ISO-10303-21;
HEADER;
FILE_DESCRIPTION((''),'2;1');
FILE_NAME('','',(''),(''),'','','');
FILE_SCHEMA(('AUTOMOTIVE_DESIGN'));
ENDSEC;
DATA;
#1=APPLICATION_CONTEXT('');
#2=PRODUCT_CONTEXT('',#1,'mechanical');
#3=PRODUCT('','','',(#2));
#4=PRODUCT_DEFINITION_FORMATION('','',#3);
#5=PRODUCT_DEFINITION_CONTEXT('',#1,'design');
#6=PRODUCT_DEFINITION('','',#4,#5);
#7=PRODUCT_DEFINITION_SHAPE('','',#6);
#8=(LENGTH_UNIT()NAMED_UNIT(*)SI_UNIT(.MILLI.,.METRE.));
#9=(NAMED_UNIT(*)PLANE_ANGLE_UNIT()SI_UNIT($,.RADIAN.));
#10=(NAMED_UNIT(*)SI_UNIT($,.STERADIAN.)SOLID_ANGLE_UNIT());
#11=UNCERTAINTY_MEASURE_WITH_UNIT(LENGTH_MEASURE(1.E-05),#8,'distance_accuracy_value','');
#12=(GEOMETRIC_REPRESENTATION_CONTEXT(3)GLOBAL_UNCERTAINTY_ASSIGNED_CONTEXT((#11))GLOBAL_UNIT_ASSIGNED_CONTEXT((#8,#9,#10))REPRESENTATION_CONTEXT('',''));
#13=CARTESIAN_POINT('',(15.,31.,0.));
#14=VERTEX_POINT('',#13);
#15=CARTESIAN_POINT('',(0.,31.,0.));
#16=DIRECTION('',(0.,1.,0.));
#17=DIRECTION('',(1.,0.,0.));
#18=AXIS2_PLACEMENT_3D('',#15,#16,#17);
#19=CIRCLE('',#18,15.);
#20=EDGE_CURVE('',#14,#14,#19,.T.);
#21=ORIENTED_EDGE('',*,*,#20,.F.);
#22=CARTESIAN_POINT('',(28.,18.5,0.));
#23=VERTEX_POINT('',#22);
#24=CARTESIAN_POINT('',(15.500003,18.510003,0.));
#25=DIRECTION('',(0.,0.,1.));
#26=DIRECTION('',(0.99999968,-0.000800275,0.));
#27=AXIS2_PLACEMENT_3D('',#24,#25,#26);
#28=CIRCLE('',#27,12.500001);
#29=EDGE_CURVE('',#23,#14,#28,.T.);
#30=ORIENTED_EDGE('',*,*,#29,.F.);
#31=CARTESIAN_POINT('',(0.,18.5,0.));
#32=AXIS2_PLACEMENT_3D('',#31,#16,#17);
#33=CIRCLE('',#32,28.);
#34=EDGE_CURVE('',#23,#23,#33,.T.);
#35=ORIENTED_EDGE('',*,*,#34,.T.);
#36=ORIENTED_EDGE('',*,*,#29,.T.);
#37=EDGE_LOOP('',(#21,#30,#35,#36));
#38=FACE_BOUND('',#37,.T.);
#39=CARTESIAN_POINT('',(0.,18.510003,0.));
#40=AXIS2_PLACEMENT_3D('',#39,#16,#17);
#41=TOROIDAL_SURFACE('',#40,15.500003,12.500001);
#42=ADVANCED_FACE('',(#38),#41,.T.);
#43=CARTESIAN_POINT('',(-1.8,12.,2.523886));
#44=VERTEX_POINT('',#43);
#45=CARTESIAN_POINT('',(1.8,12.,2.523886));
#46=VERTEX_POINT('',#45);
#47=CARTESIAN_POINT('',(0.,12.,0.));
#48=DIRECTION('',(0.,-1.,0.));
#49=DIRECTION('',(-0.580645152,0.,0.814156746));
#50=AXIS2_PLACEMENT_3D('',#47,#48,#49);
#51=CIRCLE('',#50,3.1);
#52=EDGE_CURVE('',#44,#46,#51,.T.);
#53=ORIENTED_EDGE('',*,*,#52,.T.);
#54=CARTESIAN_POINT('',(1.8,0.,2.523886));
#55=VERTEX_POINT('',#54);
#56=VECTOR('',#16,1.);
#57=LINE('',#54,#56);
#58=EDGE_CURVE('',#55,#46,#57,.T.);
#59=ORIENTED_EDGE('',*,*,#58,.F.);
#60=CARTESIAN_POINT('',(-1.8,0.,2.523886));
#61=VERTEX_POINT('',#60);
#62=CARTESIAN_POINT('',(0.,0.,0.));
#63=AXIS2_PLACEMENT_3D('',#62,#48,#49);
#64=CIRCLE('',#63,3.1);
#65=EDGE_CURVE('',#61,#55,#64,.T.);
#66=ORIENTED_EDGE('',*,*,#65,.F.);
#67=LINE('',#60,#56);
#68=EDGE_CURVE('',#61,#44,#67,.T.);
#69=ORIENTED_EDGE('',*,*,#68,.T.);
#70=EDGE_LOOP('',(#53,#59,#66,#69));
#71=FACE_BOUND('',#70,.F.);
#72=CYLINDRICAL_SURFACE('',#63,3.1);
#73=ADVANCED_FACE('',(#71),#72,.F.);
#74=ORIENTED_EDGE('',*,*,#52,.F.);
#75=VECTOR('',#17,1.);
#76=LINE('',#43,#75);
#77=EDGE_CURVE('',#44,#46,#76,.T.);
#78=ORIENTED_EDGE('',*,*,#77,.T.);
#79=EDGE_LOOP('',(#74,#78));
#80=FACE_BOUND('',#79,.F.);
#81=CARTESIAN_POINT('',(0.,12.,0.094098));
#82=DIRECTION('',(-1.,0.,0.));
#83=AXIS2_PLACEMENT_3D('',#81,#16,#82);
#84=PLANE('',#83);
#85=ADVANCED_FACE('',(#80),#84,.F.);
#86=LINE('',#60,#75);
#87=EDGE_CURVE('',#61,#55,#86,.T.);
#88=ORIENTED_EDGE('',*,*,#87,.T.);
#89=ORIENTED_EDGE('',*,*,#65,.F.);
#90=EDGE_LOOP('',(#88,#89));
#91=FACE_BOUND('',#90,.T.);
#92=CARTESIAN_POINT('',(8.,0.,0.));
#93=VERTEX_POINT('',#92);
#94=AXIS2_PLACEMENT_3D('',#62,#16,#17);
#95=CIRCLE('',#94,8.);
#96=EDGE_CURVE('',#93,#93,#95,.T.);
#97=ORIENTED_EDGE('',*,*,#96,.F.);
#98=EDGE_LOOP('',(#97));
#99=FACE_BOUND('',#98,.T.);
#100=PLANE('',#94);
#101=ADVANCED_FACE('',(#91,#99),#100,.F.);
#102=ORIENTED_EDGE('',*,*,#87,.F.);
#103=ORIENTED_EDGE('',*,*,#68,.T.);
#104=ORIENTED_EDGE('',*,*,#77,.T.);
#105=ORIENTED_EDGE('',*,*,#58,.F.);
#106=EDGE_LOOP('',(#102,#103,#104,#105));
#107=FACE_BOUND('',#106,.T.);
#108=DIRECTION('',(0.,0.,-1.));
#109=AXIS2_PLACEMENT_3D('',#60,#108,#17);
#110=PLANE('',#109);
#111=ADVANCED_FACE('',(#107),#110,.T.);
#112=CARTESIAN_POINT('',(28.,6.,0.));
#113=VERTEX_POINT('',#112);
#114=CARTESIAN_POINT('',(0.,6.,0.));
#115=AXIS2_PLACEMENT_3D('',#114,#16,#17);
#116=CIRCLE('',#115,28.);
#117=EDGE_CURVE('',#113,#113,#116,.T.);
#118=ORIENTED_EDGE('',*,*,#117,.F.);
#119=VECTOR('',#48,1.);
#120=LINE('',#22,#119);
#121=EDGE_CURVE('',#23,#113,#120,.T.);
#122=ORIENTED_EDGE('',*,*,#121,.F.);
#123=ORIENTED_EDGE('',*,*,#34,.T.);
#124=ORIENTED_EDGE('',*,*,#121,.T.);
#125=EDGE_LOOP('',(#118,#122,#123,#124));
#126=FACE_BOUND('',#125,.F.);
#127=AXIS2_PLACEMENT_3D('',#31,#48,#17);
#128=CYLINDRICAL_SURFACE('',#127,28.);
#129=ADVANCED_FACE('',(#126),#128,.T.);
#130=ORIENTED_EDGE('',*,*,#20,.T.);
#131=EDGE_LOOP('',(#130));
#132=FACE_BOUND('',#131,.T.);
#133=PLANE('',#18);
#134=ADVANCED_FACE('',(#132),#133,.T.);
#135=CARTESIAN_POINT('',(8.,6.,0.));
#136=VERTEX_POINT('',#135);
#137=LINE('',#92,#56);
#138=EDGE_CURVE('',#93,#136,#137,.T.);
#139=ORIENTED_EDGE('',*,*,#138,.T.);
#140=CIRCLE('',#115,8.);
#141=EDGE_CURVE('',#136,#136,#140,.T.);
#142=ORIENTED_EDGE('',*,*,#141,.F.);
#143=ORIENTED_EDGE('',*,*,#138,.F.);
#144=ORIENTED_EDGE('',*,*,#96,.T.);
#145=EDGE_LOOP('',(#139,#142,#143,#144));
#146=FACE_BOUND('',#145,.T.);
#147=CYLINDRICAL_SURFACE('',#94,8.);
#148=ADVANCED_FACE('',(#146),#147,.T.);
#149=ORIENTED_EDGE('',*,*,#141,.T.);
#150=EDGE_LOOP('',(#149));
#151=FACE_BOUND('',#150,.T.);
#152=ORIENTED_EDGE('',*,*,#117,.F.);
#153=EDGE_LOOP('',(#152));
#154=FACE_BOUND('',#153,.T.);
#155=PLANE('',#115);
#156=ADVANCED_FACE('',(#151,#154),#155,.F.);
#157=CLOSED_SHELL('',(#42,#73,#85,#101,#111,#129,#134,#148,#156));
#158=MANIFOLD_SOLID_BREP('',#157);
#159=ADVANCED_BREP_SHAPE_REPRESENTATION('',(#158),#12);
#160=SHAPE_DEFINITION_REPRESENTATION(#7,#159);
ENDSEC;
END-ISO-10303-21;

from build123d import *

# Parameters (mm, degrees)
POCKET_DEPTH = 12


with BuildPart() as part:
    # Sketch → Revolution (revolve)
    with BuildSketch(Plane.XY):
        with BuildLine():
            Line((15, 31), (0, 31))
            Line((0, 31), (0, 0))
            Line((0, 0), (8, 0))
            Line((8, 0), (8, 6))
            Line((8, 6), (28, 6))
            Line((28, 18.5), (28, 6))
            ThreePointArc((28, 18.5), (24.163863, 27.520417), (15, 31))
        make_face()
    revolve(axis=Axis((0, 0, 0), (0, 1, 0)))

    # Sketch001 → Pocket (cut)
    with BuildSketch(Plane.XZ):
        with BuildLine():
            Line((-1.8, 2.523886), (1.8, 2.523886))
            ThreePointArc((-1.8, 2.523886), (0, -3.1), (1.8, 2.523886))
        make_face()
    extrude(amount=-POCKET_DEPTH, mode=Mode.SUBTRACT)


solid = part.part
